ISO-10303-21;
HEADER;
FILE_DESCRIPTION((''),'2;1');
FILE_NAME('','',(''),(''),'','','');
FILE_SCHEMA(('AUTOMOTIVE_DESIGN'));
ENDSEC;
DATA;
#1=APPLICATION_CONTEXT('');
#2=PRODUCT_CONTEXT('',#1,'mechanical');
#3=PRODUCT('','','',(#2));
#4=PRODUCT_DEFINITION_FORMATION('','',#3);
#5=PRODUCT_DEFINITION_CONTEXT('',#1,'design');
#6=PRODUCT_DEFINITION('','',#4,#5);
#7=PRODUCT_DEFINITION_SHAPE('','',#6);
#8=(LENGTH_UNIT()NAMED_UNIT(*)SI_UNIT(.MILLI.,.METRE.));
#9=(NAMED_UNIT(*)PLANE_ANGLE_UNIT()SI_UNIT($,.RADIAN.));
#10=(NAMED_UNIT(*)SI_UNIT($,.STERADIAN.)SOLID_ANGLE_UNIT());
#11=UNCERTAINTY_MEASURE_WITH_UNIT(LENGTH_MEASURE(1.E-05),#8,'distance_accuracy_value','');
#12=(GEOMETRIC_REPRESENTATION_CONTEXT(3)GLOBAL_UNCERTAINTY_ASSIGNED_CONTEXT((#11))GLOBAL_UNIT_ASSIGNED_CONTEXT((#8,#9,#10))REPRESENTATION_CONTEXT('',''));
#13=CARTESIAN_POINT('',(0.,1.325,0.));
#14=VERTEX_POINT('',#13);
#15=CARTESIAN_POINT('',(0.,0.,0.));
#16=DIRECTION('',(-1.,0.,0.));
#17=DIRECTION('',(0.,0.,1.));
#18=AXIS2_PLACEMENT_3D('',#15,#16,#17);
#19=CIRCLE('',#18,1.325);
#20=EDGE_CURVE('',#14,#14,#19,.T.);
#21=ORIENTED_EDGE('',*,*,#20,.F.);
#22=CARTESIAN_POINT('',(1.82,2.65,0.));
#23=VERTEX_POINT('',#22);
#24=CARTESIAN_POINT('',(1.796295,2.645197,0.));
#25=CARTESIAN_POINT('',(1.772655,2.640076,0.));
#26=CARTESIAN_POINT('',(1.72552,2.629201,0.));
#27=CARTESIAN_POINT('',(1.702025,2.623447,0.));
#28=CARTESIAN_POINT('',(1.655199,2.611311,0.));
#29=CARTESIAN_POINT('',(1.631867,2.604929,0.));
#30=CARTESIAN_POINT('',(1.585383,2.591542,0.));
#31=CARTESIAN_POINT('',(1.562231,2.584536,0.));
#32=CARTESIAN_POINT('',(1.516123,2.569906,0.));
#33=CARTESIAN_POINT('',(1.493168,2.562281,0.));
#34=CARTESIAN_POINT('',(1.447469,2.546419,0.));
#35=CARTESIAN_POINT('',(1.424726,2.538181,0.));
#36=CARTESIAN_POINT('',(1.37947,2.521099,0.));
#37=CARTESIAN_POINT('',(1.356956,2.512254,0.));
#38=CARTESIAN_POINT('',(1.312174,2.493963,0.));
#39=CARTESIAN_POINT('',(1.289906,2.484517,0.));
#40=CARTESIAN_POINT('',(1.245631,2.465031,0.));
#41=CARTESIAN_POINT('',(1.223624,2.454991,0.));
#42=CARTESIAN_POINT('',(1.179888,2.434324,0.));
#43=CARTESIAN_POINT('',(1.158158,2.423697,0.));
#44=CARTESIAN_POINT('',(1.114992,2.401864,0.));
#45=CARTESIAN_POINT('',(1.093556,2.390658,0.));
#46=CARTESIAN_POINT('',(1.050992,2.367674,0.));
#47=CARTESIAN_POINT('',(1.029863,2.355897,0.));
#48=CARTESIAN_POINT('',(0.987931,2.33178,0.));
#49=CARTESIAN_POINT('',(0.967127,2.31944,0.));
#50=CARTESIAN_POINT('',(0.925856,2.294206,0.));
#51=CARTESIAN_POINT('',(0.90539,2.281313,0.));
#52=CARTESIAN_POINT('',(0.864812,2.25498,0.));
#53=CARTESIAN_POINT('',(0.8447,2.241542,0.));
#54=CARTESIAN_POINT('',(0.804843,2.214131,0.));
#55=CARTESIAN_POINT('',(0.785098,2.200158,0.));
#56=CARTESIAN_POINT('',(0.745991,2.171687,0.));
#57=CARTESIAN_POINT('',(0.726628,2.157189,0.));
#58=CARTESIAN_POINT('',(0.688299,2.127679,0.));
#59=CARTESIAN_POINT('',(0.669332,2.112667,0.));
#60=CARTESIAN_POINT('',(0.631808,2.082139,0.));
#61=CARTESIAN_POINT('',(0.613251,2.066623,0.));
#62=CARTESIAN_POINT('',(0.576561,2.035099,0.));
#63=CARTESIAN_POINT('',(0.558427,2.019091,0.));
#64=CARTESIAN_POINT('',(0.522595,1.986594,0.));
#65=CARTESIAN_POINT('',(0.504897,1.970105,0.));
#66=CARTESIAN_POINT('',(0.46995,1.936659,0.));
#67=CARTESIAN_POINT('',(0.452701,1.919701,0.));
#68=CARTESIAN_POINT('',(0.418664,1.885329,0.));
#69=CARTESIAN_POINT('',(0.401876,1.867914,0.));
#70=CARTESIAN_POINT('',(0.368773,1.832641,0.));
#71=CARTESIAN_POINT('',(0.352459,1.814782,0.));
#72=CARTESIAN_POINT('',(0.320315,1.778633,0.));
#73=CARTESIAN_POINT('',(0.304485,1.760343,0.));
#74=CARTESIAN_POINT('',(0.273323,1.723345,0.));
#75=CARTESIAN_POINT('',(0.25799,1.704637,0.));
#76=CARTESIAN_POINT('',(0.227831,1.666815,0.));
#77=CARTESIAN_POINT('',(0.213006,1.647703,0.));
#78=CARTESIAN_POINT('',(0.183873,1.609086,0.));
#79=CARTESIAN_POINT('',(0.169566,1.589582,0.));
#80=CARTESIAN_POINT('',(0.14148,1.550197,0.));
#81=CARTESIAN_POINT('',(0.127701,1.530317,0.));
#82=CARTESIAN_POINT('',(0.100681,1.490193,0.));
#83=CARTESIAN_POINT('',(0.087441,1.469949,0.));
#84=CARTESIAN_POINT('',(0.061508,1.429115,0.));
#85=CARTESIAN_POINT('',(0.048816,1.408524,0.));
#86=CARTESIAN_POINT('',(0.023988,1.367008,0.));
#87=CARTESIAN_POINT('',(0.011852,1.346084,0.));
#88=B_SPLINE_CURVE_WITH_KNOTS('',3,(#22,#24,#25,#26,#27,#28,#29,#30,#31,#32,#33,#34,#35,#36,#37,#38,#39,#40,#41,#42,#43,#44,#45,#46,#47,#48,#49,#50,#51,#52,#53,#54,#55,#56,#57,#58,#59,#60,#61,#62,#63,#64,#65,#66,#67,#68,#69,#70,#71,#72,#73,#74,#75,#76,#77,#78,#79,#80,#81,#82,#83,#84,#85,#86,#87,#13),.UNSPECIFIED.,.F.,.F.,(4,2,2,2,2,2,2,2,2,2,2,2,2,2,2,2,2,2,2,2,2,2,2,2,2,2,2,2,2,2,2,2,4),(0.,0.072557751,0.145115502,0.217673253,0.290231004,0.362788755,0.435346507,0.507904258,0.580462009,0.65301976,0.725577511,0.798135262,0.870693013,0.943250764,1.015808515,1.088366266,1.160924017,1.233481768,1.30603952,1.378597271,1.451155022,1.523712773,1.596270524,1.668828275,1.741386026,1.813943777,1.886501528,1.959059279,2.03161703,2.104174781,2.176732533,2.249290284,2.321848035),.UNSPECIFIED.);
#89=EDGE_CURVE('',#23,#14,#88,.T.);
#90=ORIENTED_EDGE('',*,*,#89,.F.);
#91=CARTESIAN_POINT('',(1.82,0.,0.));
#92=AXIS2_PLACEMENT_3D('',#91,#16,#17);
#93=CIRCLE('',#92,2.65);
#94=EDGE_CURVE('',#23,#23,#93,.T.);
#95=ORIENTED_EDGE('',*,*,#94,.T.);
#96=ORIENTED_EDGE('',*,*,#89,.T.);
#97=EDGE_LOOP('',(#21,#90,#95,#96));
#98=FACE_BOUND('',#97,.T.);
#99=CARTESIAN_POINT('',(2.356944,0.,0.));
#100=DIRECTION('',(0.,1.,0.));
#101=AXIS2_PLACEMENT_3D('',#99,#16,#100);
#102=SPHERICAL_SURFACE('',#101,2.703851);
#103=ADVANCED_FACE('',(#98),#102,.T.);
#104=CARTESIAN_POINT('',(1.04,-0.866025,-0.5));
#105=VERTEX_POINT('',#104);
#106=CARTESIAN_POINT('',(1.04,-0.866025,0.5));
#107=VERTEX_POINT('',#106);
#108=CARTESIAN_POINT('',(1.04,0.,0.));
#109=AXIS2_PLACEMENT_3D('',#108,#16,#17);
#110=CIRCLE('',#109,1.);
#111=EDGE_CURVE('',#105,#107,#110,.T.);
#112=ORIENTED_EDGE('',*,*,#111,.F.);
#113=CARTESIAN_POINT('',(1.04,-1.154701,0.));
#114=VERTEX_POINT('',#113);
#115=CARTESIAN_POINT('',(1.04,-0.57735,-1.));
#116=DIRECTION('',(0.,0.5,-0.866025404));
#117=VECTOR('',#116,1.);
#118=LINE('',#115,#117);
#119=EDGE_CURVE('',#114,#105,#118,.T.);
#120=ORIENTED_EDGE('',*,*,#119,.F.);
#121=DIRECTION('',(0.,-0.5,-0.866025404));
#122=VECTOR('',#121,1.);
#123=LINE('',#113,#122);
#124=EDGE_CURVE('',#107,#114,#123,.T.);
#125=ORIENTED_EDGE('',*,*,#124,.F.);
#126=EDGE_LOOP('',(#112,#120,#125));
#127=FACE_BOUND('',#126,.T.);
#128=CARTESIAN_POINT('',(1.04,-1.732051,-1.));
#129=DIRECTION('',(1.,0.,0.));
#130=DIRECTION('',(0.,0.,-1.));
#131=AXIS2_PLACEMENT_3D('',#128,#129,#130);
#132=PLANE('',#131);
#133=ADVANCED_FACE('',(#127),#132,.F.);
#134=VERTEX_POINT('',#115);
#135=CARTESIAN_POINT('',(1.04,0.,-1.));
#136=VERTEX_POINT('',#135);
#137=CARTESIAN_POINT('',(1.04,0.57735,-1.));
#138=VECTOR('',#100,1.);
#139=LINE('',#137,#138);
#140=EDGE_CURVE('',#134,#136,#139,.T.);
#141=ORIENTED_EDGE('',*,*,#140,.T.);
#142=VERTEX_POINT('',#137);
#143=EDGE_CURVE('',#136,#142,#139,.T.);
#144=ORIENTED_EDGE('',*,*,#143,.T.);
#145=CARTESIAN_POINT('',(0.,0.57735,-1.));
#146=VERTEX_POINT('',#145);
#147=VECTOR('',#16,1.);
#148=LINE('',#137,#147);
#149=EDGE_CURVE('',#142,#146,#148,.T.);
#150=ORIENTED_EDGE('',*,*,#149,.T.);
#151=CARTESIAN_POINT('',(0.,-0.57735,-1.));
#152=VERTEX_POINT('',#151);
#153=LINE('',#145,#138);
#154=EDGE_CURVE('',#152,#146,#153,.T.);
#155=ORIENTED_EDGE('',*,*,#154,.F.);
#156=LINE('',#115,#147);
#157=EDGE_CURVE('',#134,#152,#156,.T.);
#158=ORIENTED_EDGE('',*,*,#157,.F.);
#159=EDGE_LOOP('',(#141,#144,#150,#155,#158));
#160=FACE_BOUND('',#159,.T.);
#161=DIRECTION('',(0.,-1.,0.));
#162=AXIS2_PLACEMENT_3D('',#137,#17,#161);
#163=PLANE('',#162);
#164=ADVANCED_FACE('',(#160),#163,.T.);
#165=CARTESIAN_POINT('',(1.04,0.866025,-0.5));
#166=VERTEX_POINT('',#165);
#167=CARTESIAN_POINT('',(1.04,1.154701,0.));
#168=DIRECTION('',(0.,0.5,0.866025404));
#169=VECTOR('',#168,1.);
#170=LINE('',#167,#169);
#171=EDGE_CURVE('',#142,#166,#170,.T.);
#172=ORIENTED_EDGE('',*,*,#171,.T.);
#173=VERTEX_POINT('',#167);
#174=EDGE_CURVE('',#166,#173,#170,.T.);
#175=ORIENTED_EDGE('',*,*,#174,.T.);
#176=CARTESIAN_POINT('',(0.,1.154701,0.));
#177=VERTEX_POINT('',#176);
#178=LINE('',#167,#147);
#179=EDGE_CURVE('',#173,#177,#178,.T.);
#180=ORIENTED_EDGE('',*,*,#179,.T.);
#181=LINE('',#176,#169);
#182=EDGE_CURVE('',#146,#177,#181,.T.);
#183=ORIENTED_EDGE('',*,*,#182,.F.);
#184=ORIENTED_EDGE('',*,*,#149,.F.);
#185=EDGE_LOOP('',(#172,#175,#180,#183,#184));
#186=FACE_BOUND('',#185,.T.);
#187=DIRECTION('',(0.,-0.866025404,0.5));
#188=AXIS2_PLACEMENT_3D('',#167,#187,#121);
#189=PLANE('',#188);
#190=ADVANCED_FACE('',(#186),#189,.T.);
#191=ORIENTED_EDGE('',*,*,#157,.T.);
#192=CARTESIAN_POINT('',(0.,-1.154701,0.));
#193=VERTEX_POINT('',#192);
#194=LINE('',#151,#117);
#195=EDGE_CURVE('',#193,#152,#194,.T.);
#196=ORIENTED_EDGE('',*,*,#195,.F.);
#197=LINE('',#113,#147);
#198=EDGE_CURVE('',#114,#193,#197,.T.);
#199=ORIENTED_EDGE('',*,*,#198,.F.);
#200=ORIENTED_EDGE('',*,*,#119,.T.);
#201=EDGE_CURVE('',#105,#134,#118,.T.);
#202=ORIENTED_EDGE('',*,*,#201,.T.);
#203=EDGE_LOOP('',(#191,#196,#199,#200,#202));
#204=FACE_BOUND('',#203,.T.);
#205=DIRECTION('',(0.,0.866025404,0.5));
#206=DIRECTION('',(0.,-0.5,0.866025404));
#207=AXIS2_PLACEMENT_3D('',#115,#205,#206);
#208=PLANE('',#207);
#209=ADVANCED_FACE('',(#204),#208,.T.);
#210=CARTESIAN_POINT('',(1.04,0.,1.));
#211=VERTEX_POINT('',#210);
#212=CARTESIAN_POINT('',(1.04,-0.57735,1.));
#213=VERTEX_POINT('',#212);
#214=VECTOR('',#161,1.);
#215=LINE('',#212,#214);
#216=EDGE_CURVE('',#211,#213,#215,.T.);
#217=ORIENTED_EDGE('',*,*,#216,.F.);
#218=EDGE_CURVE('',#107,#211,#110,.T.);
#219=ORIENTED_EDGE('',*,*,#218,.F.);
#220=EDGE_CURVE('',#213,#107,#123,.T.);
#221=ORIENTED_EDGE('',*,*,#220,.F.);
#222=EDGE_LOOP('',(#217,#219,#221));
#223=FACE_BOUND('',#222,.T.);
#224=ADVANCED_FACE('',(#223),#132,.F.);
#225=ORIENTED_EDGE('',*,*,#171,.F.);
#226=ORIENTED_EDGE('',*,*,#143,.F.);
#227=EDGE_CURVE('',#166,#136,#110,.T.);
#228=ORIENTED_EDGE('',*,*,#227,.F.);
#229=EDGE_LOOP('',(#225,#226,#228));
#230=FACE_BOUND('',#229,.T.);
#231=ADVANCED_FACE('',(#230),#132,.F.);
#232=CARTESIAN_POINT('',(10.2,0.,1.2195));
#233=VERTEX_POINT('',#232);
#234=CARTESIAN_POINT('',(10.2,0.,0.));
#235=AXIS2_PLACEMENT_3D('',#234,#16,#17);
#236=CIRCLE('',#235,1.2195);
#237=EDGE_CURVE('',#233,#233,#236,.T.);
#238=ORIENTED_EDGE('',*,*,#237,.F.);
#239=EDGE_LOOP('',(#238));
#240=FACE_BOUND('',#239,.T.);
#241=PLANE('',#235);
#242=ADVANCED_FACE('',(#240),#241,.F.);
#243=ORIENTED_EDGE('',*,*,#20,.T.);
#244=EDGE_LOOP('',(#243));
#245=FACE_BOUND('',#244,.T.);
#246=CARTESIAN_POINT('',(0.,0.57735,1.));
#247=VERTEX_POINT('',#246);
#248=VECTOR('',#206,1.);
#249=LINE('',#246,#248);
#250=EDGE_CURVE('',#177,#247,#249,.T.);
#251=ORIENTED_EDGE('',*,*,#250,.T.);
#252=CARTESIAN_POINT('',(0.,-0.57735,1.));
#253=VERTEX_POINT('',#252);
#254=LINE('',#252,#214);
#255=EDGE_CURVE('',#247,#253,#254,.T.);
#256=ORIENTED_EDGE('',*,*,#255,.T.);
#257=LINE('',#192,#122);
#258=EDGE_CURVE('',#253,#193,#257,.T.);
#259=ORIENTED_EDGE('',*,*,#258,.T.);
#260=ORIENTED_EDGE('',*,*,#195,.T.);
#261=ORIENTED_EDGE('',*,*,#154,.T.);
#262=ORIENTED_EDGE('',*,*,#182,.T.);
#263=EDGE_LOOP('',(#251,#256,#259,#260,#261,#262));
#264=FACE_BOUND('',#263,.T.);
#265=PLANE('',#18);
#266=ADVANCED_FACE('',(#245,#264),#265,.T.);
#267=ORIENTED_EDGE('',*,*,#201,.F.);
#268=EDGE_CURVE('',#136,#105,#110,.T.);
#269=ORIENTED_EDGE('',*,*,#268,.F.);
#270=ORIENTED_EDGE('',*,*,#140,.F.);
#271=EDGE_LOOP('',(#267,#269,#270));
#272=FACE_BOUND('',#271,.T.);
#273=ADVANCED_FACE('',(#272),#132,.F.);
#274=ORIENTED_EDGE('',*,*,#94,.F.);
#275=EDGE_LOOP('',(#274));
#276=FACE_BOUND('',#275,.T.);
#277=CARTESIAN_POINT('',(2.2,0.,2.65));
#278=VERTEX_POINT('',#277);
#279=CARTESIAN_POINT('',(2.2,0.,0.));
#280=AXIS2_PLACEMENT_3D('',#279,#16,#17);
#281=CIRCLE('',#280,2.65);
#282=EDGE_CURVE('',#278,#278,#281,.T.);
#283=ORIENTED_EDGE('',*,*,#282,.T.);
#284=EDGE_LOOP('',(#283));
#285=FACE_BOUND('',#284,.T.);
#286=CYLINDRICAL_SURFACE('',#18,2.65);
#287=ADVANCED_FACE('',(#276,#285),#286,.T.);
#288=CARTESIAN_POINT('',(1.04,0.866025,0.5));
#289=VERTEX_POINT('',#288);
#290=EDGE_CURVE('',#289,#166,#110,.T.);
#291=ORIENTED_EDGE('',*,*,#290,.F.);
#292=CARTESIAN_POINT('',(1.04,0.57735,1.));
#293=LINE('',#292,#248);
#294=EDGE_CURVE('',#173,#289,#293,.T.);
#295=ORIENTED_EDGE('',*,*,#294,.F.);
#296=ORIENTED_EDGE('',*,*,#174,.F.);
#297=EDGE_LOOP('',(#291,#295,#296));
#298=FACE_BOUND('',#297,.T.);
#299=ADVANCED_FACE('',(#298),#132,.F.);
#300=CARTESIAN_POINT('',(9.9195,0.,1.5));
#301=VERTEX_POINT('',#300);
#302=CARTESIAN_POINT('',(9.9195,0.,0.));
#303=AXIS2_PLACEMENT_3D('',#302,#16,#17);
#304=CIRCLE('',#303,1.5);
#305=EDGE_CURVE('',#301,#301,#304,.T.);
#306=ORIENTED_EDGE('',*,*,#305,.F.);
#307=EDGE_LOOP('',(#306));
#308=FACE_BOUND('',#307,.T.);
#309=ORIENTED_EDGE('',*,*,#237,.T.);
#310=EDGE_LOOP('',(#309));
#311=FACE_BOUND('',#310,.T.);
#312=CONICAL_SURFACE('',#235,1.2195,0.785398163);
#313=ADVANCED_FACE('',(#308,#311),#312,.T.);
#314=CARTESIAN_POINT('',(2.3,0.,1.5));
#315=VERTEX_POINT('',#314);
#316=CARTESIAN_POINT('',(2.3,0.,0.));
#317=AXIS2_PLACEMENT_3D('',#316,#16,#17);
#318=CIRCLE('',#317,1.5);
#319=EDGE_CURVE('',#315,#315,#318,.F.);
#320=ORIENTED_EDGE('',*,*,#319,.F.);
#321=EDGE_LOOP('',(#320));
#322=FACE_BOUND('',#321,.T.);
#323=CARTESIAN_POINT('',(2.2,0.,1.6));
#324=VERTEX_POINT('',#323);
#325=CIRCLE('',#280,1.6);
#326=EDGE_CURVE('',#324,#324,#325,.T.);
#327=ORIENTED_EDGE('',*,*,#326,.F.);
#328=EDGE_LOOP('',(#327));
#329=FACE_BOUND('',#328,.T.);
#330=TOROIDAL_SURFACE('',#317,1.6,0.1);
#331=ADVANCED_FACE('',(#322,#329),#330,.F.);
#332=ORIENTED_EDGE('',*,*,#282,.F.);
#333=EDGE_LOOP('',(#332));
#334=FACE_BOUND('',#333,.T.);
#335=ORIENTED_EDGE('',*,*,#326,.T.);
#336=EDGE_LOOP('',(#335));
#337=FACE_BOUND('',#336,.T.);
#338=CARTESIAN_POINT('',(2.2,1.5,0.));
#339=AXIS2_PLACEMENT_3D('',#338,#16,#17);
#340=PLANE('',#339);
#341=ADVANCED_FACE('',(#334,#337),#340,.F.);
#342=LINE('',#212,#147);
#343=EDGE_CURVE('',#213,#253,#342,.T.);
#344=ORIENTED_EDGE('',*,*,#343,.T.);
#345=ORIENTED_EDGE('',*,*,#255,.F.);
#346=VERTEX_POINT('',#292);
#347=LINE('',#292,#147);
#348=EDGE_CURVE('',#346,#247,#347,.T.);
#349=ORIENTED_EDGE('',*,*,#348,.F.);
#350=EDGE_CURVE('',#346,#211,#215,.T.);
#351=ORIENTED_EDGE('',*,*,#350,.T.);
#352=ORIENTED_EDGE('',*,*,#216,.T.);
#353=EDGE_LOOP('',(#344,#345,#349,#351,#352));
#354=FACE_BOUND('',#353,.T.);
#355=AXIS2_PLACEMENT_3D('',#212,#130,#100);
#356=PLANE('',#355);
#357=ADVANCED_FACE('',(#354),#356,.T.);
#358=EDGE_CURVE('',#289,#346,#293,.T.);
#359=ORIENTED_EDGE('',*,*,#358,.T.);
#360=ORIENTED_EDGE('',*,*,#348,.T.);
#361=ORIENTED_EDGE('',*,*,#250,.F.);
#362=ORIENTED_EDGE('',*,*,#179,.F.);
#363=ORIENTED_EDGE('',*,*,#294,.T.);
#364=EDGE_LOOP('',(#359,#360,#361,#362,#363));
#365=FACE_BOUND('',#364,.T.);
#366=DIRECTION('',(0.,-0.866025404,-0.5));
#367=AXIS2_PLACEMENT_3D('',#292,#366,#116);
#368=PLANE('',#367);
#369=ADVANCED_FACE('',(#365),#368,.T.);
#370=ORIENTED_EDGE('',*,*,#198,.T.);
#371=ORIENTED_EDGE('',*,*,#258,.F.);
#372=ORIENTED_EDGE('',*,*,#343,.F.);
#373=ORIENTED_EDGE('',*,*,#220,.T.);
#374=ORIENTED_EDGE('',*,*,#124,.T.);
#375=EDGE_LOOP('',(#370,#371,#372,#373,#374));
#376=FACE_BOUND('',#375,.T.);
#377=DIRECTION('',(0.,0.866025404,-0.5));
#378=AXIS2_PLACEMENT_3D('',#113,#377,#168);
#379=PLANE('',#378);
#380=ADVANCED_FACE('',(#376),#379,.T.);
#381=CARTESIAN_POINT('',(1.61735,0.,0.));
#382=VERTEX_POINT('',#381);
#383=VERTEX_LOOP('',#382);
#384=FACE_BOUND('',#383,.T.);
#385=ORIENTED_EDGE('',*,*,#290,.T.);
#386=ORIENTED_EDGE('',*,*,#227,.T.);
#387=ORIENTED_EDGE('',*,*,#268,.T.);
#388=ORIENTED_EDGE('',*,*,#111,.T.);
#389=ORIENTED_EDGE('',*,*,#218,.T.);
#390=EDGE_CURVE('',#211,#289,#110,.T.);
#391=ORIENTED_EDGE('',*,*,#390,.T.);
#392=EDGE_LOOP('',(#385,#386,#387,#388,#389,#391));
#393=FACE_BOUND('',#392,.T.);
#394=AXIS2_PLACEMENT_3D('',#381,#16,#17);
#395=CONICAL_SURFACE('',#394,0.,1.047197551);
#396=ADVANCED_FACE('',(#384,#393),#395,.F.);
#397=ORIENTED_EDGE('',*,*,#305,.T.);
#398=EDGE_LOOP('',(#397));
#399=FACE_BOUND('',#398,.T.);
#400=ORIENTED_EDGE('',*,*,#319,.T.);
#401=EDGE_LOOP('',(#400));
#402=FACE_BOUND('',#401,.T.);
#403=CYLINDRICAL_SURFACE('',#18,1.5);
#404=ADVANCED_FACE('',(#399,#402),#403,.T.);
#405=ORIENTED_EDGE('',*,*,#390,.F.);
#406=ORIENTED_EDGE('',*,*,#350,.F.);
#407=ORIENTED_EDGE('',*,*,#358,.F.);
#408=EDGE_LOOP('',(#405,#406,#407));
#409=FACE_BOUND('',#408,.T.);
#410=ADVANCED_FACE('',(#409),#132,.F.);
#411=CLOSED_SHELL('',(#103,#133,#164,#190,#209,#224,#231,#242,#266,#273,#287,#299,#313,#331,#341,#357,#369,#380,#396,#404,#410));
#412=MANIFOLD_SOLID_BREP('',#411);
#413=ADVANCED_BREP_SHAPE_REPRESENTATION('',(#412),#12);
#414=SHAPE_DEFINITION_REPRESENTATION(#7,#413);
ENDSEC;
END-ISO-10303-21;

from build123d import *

# Parameters (mm, degrees)
FILLET1_R   = 0.1
HEX_2_DEPTH = 1.04


with BuildPart() as part:
    # BodySke → BaseBody (revolve)
    with BuildSketch(Plane.XY, mode=Mode.PRIVATE) as basebody_sk:
        with BuildLine():
            Line((10.2, 0), (10.2, 1.2195))
            Line((10.2, 1.2195), (9.9195, 1.5))
            Line((9.9195, 1.5), (2.2, 1.5))
            Line((2.2, 1.5), (2.2, 2.65))
            Line((2.2, 2.65), (1.82, 2.65))
            ThreePointArc((1.82, 2.65), (0.765544213, 2.185922288), (0, 1.325))
            Line((0, 1.325), (0, 0))
            Line((0, 0), (10.2, 0))
        make_face()
    revolve(basebody_sk.sketch.rotate(Axis((0, 0, 0), (1, 0, 0)), 90), axis=Axis((0, 0, 0), (1, 0, 0)))

    # Fillet1
    fillet1_edges = [part.edges().sort_by_distance(p)[0] for p in [
        (2.2, 0, -1.5),
    ]]
    fillet(fillet1_edges, radius=FILLET1_R)

    # Sketch2 → PreBroach (revolve, cut)
    with BuildSketch(Plane.XY, mode=Mode.PRIVATE) as prebroach_sk:
        Polygon((0, 1), (1.04, 1), (1.617350269, 0), (0, 0), align=None)
    revolve(prebroach_sk.sketch.rotate(Axis((0, 0, 0), (1, 0, 0)), 90), axis=Axis((0, 0, 0), (1, 0, 0)), mode=Mode.SUBTRACT)

    # Sketch3 → Hex 2 (cut)
    with BuildSketch(Plane(origin=(0, 0, 0), x_dir=(0, 0, -1), z_dir=(1, 0, 0))):
        Polygon((-1, -0.577350269), (-1, 0.577350269), (0, 1.154700538), (1, 0.577350269), (1, -0.577350269), (0, -1.154700538), align=None)
    extrude(amount=HEX_2_DEPTH, mode=Mode.SUBTRACT)


solid = part.part
